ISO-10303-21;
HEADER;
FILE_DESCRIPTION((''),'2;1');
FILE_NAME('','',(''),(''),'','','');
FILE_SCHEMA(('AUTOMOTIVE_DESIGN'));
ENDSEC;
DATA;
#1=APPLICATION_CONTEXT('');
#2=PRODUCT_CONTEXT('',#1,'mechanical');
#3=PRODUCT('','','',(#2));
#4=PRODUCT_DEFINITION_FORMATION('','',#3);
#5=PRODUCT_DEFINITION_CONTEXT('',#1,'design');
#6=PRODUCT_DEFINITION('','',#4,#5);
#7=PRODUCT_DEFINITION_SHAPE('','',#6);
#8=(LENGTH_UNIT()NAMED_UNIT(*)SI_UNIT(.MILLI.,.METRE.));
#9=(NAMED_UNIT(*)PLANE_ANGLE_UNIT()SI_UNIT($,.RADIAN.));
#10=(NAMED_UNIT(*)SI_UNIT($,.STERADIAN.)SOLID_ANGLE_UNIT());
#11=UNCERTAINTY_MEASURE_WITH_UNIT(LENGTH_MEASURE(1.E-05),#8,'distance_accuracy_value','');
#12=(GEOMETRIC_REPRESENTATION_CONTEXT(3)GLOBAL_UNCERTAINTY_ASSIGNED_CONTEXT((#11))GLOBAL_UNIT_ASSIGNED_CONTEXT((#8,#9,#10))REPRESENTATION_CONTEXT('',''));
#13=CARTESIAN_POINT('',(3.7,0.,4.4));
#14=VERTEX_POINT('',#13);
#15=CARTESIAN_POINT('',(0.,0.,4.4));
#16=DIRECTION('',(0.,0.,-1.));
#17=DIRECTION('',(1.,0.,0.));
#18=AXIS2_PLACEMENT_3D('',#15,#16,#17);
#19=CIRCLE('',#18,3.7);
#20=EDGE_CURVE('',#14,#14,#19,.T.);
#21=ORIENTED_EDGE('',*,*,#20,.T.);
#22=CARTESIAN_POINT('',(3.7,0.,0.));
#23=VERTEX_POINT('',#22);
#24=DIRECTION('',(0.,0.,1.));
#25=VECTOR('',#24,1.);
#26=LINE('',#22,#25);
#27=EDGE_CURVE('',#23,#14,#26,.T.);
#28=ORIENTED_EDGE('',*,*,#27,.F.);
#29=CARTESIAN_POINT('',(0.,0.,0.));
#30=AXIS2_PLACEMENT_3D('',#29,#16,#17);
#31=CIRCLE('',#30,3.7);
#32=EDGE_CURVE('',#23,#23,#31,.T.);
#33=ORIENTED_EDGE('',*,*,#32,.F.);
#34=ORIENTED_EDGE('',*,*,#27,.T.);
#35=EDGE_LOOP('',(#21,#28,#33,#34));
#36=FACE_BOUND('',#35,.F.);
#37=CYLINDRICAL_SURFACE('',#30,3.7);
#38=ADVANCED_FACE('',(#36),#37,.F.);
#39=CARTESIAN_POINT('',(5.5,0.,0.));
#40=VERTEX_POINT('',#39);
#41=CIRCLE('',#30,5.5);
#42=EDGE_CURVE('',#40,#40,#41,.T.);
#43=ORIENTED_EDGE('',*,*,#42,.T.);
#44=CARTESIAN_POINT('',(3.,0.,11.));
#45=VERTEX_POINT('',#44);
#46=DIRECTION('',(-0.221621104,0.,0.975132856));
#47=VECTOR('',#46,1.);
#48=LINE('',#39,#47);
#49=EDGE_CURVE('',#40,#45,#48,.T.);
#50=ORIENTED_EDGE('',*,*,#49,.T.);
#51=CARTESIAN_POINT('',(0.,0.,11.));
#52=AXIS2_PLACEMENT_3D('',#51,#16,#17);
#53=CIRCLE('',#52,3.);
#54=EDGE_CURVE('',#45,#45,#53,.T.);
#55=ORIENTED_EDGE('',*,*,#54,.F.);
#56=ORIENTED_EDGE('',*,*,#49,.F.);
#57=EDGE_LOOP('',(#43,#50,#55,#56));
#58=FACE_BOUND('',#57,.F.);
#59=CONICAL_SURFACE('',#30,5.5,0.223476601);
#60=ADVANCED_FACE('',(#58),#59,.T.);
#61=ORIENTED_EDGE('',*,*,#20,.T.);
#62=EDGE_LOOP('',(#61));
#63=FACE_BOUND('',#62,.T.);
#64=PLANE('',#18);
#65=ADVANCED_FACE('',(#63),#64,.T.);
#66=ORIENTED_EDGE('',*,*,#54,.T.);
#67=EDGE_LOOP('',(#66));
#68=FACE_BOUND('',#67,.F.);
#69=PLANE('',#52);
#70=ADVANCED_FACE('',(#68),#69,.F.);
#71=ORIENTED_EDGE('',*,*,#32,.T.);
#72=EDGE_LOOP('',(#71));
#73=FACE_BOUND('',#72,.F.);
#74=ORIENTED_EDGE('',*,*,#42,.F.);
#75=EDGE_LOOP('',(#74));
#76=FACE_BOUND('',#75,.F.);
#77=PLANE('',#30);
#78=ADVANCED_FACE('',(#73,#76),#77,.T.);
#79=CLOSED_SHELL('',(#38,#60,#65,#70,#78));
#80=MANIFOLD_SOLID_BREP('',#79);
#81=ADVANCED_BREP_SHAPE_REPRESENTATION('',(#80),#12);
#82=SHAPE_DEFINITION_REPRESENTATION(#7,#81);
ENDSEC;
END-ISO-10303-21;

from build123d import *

# Parameters (mm, degrees)
F2_R     = 3.7
F3_DEPTH = 4.4


with BuildPart() as f1:
    # F0 (on Front) → F1 (revolve)
    with BuildSketch(Plane.XZ):
        Polygon((0, 11), (0, 0), (5.5, 0), (3, 11), align=None)
    revolve(axis=Axis((0, 0, 5.342995), (0, 0, -1)))

    # F2 (on face) → F3 (cut)
    with BuildSketch(Plane(origin=(0, 0, 0), x_dir=(1, 0, 0), z_dir=(0, 0, -1))):
        Circle(F2_R)
    extrude(amount=-F3_DEPTH, mode=Mode.SUBTRACT)


solid = f1.part
